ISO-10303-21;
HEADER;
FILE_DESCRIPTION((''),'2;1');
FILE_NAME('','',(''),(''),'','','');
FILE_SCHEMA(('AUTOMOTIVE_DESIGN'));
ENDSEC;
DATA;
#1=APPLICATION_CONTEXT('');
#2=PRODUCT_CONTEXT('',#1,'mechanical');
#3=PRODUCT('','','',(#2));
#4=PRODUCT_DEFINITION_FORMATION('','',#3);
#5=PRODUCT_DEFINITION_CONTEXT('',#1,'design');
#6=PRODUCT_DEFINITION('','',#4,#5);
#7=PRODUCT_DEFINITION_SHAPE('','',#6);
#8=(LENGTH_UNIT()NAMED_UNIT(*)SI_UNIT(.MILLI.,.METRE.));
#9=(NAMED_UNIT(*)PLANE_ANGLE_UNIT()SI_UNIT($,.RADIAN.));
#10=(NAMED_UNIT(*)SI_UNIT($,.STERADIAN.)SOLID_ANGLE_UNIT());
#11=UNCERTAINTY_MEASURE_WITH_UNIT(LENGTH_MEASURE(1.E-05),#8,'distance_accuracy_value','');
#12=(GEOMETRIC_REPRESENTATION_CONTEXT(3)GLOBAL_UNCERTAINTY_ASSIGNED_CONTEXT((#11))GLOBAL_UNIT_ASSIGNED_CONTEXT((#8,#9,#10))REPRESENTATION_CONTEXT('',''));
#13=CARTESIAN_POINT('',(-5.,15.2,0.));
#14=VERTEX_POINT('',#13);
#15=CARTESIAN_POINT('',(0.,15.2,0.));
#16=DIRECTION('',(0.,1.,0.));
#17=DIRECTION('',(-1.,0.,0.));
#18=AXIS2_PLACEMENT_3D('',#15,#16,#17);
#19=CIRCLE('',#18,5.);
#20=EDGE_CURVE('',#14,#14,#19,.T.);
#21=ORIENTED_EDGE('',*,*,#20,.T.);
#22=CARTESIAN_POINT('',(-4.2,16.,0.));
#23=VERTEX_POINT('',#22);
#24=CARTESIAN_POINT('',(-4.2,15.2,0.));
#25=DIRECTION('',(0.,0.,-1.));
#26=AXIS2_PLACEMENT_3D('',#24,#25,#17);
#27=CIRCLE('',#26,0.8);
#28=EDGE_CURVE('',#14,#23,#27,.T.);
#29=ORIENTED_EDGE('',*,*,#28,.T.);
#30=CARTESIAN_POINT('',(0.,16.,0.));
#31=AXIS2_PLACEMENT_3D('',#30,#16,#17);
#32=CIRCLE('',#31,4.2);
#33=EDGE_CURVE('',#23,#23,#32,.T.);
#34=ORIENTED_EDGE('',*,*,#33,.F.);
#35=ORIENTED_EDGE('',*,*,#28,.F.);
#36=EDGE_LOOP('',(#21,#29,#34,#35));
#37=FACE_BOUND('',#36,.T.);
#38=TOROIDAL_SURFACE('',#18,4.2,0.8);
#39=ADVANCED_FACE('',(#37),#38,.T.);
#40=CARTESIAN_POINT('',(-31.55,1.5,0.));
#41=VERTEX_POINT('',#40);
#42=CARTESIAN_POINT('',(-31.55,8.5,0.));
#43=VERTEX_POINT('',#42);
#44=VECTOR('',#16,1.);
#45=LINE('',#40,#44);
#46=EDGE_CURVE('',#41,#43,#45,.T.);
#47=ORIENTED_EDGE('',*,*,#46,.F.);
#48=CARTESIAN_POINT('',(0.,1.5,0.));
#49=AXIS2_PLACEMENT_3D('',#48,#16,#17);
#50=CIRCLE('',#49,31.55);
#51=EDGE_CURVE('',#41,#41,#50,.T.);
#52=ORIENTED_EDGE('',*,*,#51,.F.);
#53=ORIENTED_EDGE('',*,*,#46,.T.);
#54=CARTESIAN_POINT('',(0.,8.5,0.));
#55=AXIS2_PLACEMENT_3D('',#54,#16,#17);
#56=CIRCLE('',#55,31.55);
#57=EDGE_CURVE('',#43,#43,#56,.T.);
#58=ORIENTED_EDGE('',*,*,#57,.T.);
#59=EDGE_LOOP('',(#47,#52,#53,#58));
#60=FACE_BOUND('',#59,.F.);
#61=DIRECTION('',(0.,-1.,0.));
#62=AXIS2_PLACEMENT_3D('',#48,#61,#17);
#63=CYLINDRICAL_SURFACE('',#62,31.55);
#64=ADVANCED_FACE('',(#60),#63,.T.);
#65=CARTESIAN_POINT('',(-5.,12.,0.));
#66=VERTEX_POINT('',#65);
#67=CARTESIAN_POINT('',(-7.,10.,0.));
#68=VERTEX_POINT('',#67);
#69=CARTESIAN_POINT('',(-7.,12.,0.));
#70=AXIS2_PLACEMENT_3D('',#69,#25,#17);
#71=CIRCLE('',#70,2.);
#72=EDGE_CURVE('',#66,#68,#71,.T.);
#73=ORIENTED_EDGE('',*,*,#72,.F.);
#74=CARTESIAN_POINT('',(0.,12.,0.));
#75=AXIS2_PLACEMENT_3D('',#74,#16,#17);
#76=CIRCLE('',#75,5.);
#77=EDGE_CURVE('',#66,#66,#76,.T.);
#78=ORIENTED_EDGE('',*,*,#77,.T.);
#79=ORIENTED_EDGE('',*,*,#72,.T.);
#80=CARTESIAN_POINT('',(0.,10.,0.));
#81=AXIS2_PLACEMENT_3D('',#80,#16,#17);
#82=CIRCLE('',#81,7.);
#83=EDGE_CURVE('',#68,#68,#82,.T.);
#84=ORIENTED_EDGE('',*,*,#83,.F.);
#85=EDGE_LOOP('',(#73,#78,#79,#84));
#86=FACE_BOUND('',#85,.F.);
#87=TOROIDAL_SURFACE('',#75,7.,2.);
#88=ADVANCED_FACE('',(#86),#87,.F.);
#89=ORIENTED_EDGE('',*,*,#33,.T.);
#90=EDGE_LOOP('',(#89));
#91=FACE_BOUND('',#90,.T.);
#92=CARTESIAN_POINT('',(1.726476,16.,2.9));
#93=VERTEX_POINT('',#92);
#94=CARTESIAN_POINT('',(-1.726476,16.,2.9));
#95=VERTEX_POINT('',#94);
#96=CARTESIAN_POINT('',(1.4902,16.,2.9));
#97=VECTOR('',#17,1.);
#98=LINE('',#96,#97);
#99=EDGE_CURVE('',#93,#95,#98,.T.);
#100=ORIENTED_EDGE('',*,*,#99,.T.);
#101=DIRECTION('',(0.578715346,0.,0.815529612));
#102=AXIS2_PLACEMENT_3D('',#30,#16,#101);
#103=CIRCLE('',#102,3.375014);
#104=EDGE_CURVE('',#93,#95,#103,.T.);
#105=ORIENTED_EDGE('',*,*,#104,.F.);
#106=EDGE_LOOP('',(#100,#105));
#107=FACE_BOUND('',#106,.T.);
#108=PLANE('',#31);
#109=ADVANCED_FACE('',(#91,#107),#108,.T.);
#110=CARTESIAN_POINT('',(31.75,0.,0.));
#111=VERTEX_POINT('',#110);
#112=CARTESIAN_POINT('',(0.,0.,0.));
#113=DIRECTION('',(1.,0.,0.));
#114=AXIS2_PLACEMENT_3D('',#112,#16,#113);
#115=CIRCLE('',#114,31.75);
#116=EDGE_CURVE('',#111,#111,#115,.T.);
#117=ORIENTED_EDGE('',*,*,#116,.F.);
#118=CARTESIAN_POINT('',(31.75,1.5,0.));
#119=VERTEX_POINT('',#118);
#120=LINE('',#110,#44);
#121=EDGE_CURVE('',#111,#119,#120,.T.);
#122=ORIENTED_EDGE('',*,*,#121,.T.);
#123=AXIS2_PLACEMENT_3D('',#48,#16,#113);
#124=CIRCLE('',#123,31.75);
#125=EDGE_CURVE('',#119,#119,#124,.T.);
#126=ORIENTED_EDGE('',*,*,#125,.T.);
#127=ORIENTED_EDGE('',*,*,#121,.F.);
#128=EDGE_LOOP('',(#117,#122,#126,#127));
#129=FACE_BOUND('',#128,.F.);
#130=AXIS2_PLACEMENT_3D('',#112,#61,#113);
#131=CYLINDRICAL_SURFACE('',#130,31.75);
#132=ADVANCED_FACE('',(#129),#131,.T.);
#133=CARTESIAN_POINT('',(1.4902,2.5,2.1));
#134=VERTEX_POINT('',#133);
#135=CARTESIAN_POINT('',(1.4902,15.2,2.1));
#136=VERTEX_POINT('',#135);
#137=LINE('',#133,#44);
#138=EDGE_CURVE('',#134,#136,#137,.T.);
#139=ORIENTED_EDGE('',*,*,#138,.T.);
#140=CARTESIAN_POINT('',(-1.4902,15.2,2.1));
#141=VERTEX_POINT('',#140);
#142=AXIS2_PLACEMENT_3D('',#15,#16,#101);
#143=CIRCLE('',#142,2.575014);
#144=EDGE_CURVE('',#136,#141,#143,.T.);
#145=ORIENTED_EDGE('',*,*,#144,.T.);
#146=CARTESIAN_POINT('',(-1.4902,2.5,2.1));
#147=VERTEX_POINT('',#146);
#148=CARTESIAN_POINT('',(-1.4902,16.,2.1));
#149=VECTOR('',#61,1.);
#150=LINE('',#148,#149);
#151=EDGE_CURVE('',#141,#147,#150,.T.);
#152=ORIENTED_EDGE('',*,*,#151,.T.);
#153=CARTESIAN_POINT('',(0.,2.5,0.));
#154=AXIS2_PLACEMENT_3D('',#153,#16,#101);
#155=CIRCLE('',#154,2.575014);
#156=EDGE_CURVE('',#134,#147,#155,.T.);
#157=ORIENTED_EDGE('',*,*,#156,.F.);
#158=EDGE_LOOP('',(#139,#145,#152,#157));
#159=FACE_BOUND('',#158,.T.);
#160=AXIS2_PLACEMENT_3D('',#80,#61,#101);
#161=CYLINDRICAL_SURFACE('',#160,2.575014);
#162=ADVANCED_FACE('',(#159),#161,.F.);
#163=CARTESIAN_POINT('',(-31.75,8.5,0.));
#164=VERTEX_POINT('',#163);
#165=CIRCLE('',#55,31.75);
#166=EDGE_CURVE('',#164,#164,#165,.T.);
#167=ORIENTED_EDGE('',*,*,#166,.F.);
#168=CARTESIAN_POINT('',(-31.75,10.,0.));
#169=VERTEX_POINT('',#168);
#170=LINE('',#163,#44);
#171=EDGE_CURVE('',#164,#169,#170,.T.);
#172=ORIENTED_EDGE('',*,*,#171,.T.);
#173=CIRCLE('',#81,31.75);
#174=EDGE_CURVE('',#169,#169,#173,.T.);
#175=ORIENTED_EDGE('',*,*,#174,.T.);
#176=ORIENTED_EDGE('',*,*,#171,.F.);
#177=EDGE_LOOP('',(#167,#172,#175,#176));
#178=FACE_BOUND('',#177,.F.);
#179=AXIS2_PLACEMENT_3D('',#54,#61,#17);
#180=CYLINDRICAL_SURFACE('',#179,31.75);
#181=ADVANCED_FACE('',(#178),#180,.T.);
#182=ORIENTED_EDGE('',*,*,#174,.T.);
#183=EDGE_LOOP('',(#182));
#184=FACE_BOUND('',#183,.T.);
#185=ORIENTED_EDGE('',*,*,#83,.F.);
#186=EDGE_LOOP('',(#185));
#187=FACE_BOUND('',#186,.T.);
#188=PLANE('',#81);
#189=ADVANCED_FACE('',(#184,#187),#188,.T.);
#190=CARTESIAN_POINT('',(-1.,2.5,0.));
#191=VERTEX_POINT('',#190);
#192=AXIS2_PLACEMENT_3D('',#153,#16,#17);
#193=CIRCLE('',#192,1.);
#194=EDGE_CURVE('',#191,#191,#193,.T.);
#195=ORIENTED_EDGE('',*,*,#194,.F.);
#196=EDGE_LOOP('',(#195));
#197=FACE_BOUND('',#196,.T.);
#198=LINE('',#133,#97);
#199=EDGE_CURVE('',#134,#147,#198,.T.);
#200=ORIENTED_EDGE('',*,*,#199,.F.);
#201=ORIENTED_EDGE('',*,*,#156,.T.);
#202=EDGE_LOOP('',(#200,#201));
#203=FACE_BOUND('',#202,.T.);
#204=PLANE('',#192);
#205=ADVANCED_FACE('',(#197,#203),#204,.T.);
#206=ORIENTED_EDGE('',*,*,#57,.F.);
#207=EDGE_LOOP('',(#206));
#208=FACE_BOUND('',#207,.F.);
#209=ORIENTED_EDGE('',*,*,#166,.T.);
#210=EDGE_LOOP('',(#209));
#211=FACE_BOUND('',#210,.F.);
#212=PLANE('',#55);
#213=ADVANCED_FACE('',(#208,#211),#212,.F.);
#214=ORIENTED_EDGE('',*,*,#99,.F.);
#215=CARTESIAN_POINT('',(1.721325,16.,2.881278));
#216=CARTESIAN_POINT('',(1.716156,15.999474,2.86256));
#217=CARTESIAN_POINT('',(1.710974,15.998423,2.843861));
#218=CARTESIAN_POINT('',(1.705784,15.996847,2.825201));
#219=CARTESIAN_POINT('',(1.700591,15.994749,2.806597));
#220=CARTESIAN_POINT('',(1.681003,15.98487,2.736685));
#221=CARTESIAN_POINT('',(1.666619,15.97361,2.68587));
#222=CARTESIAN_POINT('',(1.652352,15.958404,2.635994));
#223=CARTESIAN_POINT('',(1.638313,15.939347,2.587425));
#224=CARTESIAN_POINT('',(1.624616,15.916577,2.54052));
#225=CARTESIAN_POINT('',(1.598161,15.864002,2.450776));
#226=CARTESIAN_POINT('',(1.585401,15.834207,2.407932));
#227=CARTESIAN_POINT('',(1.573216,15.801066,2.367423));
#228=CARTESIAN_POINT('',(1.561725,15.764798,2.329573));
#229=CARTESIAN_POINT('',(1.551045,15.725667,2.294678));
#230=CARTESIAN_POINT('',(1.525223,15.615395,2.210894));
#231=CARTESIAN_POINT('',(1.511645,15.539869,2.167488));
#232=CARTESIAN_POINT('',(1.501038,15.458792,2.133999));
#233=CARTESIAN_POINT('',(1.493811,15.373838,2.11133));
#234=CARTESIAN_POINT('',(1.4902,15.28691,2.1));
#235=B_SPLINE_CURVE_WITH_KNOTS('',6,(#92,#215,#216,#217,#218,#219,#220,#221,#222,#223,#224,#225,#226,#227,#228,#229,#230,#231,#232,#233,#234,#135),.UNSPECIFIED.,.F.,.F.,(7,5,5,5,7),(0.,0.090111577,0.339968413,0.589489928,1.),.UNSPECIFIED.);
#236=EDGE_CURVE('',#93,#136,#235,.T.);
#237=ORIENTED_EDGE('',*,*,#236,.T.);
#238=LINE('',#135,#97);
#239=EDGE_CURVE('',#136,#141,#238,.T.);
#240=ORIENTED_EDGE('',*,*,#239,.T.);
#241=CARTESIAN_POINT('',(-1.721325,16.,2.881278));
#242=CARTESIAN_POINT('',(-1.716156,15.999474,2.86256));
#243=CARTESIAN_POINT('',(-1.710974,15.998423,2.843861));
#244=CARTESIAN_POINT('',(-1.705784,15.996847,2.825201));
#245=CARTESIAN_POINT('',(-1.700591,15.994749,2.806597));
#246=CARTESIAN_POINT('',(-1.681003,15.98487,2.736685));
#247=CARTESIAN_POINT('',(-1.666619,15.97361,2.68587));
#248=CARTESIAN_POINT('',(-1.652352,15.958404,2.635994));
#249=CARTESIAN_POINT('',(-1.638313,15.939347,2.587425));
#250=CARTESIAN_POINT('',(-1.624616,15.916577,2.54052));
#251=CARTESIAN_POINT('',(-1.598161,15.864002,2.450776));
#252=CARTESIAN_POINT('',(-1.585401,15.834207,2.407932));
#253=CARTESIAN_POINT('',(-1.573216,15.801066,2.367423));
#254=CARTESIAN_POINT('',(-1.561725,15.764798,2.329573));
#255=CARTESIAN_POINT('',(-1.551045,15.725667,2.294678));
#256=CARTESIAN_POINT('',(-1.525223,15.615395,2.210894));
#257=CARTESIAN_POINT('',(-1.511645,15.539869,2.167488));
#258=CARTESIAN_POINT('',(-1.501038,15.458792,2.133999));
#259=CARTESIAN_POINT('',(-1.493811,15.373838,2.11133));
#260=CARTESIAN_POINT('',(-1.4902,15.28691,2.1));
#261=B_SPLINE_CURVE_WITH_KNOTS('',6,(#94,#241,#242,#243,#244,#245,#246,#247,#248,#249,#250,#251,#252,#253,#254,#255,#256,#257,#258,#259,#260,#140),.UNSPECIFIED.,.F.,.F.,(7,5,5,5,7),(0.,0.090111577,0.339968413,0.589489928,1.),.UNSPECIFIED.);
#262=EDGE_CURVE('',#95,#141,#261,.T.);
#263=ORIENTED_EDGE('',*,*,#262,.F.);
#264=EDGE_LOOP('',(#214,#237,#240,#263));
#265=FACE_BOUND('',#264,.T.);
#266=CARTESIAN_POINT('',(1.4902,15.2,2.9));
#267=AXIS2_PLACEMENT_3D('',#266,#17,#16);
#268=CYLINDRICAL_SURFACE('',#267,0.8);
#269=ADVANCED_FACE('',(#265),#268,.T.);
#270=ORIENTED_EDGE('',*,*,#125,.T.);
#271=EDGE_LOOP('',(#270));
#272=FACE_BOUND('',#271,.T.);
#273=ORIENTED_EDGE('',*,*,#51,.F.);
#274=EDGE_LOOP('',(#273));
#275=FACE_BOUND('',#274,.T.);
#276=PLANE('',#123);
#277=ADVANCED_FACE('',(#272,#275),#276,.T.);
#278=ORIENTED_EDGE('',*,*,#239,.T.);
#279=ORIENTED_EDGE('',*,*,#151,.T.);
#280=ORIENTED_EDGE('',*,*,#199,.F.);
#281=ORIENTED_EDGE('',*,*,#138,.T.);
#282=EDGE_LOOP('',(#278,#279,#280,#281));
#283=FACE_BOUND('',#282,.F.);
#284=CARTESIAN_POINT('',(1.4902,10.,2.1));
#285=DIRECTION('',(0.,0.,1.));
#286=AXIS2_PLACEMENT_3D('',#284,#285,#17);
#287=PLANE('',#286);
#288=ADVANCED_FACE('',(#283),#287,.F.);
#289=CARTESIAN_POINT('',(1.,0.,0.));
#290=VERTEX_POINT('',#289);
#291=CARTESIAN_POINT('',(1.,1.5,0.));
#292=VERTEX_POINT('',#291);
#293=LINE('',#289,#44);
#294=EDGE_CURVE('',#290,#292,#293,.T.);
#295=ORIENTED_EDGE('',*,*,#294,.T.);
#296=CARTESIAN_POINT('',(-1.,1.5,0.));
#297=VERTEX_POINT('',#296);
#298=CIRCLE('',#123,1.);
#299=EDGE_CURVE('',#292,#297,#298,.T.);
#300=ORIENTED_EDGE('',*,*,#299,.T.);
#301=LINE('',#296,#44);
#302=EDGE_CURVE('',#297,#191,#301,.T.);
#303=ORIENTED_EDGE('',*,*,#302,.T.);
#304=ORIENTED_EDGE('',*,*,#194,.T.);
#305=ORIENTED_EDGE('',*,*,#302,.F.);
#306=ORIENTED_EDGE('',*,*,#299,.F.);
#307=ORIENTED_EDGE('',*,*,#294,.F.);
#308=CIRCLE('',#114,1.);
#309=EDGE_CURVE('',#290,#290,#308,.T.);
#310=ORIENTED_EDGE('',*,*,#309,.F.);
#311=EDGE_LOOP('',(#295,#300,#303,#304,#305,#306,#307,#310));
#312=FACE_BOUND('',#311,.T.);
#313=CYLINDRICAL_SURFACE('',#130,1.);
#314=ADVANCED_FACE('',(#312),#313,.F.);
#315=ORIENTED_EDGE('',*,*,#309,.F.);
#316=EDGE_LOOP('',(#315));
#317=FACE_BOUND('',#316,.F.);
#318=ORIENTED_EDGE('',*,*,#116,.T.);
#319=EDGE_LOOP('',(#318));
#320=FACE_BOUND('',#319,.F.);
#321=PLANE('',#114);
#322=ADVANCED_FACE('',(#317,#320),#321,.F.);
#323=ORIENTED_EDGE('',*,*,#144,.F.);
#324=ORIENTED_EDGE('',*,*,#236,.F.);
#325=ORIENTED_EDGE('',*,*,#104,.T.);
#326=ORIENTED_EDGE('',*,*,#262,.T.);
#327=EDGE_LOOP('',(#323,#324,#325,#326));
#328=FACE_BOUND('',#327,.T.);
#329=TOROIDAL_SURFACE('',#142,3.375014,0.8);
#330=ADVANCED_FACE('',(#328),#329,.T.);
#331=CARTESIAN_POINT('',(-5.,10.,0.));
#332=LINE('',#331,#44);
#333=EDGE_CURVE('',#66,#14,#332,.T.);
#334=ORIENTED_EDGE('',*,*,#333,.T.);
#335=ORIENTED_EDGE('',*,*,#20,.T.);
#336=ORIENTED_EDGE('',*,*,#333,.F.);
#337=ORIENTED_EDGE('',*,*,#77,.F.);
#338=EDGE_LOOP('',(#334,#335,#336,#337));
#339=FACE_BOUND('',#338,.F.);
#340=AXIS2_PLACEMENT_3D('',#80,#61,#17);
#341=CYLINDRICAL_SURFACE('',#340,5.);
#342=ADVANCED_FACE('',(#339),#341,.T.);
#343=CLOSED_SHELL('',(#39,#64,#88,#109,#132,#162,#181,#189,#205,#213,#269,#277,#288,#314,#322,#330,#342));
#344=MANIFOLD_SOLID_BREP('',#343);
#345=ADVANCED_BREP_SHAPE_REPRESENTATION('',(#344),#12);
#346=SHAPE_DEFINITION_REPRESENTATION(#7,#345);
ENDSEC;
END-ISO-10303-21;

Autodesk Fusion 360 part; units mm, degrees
sketch "spodek" plane through (0, 0, 0) normal (0, 1, 0) x (1, 0, 0)
  circle A0 centre (0, 0) radius 31.75
  circle A1 centre (0, 0) radius 1
  dimension "d1" = 63.5
  dimension "d2" = 2
extrude "Extrude1" add sketch "spodek" along normal blind 1.5
sketch "prostredek" plane through (0, 1.5, 0) normal (0, 1, 0) x (-1, 0, 0)
  circle A0 centre (0, 0) radius 1
  circle A1 centre (0, 0) radius 31.75
  circle A2 centre (0, 0) radius 31.55
  line L0 (3.493, -6.05) -> (6.9859, 0)
  line L1 (6.9859, 0) -> (3.493, 6.05)
  line L2 (3.493, 6.05) -> (-3.493, 6.05)
  line L3 (-3.493, 6.05) -> (-6.9859, 0)
  line L4 (-6.9859, 0) -> (-3.493, -6.05)
  line L5 (-3.493, -6.05) -> (3.493, -6.05)
  dimension "d5" = -0.2
  dimension "d6" = 6.05
extrude "Extrude2" add sketch "prostredek" along normal blind 7 contours A2 | L0 L1 L2 L3 L4 L5
sketch "Sketch3" plane through (0, 8.5, 0) normal (0, 1, 0) x (-1, 0, 0)
  circle A0 centre (0, 0) radius 31.75
  line L0 (-1.4902, 2.1) -> (1.4902, 2.1)
  arc A1 (-1.4902, 2.1) -> (1.4902, 2.1) centre (0, 0) ccw
  dimension "d12" = 5.15
  dimension "d13" = 2.1
extrude "Extrude4" cut sketch "Sketch3" against normal blind 6 contours L0 A1
extrude "Extrude5" add sketch "Sketch3" along normal blind 1.5
sketch "Sketch4" plane through (0, 10, 0) normal (0, 1, 0) x (-1, 0, 0)
  arc A0 (-1.4902, 2.1) -> (1.4902, 2.1) centre (0, 0) ccw
  line L0 (-1.4902, 2.1) -> (1.4902, 2.1)
  circle A1 centre (0, 0) radius 31.75
  circle A2 centre (0, 0) radius 5
  dimension "d22" = 10
extrude "Extrude6" add sketch "Sketch4" along normal blind 6 contours A2
fillet "Fillet3" radius 0.8 1 faces at (-0.1246, 16, 3.062)
fillet "Fillet4" radius 2 1 edges at (4.6616, 10, 1.8081)
